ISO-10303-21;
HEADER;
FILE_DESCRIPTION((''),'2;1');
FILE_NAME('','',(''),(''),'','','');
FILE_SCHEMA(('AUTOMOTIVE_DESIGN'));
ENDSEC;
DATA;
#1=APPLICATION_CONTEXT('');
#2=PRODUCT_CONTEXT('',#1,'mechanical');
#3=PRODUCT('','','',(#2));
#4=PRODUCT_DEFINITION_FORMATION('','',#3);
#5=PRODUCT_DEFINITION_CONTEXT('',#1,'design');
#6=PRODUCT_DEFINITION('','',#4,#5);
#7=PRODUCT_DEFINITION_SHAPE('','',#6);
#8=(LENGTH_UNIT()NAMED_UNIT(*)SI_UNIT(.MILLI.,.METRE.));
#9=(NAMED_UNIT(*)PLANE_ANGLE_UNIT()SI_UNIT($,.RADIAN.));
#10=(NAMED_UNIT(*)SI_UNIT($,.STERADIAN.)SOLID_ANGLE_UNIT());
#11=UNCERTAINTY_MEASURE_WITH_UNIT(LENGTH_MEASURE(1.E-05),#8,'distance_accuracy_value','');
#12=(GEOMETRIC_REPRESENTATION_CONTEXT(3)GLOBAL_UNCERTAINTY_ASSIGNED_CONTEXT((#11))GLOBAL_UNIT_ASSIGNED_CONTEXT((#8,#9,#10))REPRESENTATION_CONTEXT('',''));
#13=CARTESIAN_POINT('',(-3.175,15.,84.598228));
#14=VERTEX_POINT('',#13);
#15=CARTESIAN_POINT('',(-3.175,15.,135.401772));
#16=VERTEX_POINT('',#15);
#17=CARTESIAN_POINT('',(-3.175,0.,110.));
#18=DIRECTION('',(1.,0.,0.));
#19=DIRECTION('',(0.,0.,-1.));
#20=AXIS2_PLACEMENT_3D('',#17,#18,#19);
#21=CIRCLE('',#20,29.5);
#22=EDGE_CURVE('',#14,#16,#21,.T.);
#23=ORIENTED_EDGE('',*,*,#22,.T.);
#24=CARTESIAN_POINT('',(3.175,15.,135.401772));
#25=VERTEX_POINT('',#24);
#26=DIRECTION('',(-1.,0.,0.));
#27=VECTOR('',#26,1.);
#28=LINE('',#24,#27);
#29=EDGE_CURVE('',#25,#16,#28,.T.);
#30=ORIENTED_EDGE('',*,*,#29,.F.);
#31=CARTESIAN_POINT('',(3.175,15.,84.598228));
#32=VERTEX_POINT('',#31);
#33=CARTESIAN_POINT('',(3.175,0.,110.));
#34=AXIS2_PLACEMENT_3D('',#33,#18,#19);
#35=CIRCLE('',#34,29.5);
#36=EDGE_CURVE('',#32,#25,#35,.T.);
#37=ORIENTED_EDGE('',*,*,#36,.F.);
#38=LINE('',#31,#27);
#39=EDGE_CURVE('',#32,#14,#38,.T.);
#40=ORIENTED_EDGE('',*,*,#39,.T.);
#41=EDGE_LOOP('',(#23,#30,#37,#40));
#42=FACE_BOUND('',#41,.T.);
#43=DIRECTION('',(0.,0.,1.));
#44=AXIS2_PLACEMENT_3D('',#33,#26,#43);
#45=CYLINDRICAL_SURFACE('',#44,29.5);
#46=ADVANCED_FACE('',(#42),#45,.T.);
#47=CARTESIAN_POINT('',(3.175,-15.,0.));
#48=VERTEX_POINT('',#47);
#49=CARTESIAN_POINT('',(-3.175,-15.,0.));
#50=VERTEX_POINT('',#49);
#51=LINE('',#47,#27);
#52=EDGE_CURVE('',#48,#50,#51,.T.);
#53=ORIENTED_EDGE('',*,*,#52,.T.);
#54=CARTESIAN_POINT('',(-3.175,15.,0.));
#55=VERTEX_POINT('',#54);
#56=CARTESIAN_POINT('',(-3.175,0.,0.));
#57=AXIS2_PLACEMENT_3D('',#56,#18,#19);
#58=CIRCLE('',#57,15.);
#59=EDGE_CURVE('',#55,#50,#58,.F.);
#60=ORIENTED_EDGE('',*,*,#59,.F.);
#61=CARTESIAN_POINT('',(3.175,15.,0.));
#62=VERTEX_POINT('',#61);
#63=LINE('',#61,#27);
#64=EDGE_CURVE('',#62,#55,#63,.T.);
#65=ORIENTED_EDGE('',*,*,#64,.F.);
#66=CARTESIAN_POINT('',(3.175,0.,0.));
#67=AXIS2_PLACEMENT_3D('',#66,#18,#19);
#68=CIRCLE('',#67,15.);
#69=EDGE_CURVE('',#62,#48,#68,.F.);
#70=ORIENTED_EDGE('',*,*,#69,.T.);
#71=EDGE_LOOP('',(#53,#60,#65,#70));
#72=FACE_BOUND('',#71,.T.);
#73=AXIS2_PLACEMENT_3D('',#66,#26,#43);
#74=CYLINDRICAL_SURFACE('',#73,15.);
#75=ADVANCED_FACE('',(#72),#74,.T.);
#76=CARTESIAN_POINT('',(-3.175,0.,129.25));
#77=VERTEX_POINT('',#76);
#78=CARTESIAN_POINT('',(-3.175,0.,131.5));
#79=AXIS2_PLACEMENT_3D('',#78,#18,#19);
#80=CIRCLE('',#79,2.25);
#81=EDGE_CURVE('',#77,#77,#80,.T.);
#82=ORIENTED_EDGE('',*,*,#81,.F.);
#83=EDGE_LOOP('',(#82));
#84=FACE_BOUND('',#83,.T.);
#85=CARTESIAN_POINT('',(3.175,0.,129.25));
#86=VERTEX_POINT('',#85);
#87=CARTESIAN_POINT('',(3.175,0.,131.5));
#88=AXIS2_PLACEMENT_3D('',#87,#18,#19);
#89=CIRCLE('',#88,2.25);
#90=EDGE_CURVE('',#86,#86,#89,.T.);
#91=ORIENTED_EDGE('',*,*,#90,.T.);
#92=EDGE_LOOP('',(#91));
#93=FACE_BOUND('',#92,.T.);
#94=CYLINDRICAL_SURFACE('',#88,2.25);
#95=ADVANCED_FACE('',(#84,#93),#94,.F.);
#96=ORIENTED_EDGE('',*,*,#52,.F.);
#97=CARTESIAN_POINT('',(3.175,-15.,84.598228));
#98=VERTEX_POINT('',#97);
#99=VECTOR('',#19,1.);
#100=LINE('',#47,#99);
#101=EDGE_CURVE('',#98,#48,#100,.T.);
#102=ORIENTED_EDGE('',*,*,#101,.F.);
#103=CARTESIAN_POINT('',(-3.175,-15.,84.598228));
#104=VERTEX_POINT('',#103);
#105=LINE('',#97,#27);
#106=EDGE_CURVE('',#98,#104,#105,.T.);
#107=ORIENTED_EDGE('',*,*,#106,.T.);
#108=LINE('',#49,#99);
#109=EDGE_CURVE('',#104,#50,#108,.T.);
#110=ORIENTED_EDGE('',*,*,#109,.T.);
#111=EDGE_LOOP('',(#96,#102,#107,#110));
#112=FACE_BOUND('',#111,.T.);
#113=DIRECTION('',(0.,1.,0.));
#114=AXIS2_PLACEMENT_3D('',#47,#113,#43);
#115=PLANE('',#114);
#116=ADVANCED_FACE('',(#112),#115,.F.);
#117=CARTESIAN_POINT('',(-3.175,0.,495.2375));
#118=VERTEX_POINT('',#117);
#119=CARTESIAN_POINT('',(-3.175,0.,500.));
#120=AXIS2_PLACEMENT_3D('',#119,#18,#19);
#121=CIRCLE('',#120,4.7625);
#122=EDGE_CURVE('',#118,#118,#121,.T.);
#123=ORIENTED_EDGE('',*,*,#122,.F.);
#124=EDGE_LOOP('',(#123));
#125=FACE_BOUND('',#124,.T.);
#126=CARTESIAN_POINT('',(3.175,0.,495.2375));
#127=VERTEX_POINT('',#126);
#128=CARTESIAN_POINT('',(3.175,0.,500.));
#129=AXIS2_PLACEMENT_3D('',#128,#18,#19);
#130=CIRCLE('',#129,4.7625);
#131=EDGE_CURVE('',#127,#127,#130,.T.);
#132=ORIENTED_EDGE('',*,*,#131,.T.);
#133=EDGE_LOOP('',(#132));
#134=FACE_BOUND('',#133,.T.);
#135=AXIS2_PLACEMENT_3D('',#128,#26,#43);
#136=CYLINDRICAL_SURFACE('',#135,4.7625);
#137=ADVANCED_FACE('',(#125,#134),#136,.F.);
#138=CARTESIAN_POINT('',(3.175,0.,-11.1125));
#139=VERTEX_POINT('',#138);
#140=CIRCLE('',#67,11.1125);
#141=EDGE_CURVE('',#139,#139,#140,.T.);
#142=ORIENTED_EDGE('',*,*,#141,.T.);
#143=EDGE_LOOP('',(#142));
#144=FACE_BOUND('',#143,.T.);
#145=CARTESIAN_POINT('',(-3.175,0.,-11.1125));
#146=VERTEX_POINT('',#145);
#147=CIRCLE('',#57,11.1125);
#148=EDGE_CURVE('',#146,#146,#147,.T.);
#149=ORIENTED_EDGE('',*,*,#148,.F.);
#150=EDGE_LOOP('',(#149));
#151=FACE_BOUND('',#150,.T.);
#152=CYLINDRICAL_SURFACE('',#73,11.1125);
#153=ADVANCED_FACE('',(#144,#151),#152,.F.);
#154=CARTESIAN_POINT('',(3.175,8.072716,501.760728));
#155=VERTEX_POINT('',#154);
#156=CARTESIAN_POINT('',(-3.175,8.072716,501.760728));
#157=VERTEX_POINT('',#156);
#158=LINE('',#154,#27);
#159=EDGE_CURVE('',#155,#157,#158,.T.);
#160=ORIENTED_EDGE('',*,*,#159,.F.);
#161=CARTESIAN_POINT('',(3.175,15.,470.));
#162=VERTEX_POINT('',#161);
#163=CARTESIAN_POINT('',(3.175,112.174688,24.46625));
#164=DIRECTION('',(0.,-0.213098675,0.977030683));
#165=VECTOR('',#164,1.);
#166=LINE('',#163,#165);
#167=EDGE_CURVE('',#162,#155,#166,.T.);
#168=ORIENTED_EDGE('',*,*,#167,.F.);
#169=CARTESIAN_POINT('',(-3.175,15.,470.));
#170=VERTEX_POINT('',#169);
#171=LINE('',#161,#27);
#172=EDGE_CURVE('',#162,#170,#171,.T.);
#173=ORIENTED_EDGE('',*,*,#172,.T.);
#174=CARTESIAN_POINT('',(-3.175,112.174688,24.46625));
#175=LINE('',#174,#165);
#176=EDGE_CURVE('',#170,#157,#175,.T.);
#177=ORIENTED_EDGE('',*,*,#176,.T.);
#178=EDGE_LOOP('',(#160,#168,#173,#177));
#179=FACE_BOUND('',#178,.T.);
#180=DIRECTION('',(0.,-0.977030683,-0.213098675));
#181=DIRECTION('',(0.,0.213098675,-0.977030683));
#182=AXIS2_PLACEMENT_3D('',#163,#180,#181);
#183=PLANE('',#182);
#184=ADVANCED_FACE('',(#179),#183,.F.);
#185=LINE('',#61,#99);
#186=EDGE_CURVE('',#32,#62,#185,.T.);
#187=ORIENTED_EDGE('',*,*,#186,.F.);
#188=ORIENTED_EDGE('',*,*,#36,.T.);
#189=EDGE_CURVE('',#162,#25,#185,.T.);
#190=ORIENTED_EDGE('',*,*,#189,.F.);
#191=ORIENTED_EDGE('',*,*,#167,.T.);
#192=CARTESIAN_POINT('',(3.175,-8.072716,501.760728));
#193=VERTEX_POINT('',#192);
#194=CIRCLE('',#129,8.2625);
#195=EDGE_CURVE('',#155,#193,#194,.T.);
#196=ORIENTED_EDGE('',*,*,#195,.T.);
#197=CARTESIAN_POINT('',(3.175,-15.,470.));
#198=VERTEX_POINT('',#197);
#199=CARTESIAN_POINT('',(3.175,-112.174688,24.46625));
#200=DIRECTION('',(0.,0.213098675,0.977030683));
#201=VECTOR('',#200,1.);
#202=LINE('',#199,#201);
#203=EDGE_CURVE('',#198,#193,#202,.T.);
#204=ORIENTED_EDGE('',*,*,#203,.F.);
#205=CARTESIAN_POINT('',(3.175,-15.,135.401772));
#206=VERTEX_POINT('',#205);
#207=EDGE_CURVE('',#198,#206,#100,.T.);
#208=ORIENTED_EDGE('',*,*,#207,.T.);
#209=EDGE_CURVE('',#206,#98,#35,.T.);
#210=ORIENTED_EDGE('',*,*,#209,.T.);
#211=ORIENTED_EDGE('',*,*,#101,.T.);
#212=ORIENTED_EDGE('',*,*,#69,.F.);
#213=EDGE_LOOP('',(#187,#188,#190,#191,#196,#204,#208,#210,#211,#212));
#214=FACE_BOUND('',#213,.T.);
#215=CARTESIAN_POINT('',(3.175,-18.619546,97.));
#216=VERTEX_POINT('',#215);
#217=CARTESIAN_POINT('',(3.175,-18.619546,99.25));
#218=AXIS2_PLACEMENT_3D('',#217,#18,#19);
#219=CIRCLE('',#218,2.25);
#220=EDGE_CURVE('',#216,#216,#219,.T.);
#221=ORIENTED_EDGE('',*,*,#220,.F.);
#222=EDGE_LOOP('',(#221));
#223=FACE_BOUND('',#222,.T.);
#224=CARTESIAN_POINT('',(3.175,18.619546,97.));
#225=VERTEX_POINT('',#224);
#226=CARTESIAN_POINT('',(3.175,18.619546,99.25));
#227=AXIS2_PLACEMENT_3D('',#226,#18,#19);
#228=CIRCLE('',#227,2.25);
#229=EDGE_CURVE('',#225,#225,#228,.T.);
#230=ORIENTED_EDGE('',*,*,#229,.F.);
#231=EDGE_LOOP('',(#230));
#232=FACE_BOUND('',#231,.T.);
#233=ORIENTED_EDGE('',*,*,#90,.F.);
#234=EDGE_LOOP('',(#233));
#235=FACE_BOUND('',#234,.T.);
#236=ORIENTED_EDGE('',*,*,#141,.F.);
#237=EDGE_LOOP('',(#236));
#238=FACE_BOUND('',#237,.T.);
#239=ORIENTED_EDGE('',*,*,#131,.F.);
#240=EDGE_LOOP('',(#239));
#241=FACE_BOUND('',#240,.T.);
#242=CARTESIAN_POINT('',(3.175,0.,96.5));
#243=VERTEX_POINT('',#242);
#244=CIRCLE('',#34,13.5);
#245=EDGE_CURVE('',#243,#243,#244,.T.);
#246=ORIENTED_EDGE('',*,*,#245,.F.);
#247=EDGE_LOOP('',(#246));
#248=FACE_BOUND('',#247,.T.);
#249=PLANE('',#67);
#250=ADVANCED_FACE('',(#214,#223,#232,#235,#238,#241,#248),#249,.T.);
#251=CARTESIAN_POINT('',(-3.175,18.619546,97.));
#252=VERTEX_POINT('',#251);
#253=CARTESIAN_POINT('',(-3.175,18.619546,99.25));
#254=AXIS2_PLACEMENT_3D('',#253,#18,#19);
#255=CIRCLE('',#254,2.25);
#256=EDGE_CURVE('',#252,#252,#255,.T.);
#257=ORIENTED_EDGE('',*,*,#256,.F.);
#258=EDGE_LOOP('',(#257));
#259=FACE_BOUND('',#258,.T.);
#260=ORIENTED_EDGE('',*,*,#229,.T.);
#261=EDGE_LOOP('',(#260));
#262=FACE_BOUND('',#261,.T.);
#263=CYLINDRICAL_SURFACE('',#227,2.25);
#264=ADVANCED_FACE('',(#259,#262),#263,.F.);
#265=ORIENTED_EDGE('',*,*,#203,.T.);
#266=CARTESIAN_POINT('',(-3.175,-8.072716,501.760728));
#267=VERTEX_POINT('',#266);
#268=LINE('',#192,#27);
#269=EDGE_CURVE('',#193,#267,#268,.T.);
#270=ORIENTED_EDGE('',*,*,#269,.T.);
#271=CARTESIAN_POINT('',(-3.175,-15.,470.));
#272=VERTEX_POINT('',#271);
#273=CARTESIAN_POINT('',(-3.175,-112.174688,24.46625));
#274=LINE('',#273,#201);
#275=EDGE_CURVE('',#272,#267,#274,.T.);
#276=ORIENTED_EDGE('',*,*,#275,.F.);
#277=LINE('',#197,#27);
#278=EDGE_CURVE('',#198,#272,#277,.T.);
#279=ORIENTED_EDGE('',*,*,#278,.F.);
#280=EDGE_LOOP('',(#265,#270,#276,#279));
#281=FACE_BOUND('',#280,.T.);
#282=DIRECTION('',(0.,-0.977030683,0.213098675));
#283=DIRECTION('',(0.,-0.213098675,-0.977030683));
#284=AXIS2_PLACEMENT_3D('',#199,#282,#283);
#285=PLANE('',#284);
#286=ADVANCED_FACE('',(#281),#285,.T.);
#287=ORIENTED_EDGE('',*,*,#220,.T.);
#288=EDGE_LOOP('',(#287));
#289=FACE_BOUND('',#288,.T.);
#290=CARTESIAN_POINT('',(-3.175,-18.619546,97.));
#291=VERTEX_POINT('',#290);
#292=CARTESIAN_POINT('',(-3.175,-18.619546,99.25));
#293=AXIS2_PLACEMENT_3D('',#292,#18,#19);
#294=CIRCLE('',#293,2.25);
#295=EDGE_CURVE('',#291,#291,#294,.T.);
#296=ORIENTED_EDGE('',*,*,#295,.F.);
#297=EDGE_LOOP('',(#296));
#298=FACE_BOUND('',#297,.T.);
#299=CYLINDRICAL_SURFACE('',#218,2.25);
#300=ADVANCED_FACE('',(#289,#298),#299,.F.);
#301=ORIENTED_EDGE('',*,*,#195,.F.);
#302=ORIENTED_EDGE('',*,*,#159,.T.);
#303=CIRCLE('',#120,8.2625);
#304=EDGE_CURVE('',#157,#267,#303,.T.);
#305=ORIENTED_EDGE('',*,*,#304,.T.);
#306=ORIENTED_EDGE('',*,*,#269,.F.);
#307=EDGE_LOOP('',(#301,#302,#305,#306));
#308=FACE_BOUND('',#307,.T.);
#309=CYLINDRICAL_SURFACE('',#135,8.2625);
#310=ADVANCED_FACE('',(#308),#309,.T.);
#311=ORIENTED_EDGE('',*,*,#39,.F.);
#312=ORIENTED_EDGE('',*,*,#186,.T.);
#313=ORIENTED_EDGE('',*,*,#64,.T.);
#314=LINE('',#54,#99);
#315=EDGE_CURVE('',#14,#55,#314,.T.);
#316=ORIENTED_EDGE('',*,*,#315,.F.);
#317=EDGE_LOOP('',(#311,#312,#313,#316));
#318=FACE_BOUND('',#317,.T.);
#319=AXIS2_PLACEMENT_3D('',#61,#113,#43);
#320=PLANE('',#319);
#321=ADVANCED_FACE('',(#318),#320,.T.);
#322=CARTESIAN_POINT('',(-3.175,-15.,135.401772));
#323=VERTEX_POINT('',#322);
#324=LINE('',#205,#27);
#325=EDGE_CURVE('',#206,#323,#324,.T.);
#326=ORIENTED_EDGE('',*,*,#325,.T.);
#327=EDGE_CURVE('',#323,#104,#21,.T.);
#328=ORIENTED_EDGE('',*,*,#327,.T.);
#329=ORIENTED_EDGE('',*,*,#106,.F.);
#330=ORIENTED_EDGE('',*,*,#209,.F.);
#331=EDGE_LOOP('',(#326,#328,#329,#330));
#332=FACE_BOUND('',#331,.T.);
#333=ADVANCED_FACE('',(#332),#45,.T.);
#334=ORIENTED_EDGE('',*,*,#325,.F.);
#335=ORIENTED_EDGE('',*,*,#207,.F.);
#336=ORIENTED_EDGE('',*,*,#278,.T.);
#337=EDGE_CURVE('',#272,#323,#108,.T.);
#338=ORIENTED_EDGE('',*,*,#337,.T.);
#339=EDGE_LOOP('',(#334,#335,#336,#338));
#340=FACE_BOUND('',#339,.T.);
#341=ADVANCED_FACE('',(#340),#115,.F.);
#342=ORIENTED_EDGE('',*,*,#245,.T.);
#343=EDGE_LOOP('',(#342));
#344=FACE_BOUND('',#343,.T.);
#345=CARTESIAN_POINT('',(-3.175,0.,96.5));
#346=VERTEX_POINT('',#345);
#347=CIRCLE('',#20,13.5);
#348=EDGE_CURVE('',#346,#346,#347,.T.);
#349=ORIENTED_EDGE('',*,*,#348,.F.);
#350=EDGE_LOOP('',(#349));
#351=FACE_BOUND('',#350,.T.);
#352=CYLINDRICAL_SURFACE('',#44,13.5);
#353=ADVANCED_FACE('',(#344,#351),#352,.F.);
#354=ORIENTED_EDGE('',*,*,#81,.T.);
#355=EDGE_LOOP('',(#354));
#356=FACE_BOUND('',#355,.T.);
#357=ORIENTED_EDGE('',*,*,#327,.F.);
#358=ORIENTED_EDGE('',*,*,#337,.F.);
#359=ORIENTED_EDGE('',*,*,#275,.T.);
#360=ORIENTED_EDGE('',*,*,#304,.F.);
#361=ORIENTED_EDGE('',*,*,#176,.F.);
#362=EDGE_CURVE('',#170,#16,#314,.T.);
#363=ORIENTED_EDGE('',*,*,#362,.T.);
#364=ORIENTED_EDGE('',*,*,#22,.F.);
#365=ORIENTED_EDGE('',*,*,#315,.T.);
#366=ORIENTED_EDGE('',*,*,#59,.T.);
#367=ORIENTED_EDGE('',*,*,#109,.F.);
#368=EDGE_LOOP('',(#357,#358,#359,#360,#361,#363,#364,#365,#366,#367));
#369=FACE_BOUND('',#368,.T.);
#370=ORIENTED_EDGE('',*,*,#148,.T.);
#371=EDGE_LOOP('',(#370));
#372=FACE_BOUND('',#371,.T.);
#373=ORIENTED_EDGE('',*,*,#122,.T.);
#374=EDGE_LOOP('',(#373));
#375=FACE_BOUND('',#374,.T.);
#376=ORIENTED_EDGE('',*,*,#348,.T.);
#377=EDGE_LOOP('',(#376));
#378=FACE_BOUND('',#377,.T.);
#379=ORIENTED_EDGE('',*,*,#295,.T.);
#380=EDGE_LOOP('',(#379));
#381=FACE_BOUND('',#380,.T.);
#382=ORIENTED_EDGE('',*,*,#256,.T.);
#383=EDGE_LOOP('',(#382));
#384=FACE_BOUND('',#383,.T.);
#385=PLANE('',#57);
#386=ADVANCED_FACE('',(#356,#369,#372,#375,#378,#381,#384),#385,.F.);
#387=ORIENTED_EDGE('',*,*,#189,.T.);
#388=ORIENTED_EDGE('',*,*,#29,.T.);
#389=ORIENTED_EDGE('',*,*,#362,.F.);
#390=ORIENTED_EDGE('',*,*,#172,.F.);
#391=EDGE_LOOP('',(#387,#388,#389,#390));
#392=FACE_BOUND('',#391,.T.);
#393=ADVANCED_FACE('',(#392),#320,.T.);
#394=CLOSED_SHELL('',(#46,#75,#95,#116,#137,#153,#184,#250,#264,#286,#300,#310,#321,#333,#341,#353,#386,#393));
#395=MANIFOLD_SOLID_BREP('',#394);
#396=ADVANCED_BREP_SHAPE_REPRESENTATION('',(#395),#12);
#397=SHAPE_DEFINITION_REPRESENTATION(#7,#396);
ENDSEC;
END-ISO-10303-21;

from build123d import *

# Parameters (mm, degrees)
SKETCH1_R            = 4.7625
SKETCH1_R_2          = 13.5
SKETCH1_R_3          = 11.1125
BOSS_EXTRUDE1_DEPTH  = 3.175
M4_CLEARANCE_HOLE1_D = 4.5


with BuildPart() as part:
    # Sketch1 → Boss-Extrude1 (new, symmetric)
    # profile 1 of 5: a face of its own
    with BuildSketch(Plane(origin=(0, 0, 0), x_dir=(0, 0, -1), z_dir=(1, 0, 0))):
        with BuildLine():
            Line((-135.401771592, 15), (-470, 15))
            Line((-470, 15), (-501.760727799, 8.072716015))
            ThreePointArc((-501.760727799, 8.072716015), (-508.2625, 0), (-501.760727799, -8.072716015))
            Line((-501.760727799, -8.072716015), (-470, -15))
            Line((-470, -15), (-135.401771592, -15))
            ThreePointArc((-135.401771592, -15), (-139.5, 0), (-135.401771592, 15))
        make_face()
        with Locations((-500, 0)):
            Circle(SKETCH1_R, mode=Mode.SUBTRACT)
    # profile 2 of 5: a face of its own
    with BuildSketch(Plane(origin=(0, 0, 0), x_dir=(0, 0, -1), z_dir=(1, 0, 0))):
        with BuildLine():
            Line((-84.598228408, -15), (-135.401771592, -15))
            ThreePointArc((-135.401771592, -15), (-110, -29.5), (-84.598228408, -15))
        make_face()
    # profile 3 of 5: a face of its own
    with BuildSketch(Plane(origin=(0, 0, 0), x_dir=(0, 0, -1), z_dir=(1, 0, 0))):
        with BuildLine():
            Line((-84.598228408, 15), (-135.401771592, 15))
            ThreePointArc((-135.401771592, 15), (-139.5, 0), (-135.401771592, -15))
            Line((-135.401771592, -15), (-84.598228408, -15))
            ThreePointArc((-84.598228408, -15), (-81.542995046, -7.774887075), (-80.5, 0))
            ThreePointArc((-80.5, 0), (-81.542995046, 7.774887075), (-84.598228408, 15))
        make_face()
        with Locations((-110, 0)):
            Circle(SKETCH1_R_2, mode=Mode.SUBTRACT)
    # profile 4 of 5: a face of its own
    with BuildSketch(Plane(origin=(0, 0, 0), x_dir=(0, 0, -1), z_dir=(1, 0, 0))):
        with BuildLine():
            ThreePointArc((-84.598228408, 15), (-110, 29.5), (-135.401771592, 15))
            Line((-135.401771592, 15), (-84.598228408, 15))
        make_face()
    # profile 5 of 5: a face of its own
    with BuildSketch(Plane(origin=(0, 0, 0), x_dir=(0, 0, -1), z_dir=(1, 0, 0))):
        with BuildLine():
            Line((0, 15), (-84.598228408, 15))
            ThreePointArc((-84.598228408, 15), (-81.542995046, 7.774887075), (-80.5, 0))
            ThreePointArc((-80.5, 0), (-81.542995046, -7.774887075), (-84.598228408, -15))
            Line((-84.598228408, -15), (0, -15))
            ThreePointArc((0, -15), (15, 0), (0, 15))
        make_face()
        Circle(SKETCH1_R_3, mode=Mode.SUBTRACT)
    extrude(amount=BOSS_EXTRUDE1_DEPTH, both=True)

    # M4 Clearance Hole1 (through all)
    with Locations(Plane(origin=(3.175, 0, 0), x_dir=(0, 0, -1), z_dir=(1, 0, 0))):
        with Locations((-110, 0), (-131.5, 0), (-99.25, 18.619546181), (-99.25, -18.619546181)):
            Hole(M4_CLEARANCE_HOLE1_D / 2)


solid = part.part
